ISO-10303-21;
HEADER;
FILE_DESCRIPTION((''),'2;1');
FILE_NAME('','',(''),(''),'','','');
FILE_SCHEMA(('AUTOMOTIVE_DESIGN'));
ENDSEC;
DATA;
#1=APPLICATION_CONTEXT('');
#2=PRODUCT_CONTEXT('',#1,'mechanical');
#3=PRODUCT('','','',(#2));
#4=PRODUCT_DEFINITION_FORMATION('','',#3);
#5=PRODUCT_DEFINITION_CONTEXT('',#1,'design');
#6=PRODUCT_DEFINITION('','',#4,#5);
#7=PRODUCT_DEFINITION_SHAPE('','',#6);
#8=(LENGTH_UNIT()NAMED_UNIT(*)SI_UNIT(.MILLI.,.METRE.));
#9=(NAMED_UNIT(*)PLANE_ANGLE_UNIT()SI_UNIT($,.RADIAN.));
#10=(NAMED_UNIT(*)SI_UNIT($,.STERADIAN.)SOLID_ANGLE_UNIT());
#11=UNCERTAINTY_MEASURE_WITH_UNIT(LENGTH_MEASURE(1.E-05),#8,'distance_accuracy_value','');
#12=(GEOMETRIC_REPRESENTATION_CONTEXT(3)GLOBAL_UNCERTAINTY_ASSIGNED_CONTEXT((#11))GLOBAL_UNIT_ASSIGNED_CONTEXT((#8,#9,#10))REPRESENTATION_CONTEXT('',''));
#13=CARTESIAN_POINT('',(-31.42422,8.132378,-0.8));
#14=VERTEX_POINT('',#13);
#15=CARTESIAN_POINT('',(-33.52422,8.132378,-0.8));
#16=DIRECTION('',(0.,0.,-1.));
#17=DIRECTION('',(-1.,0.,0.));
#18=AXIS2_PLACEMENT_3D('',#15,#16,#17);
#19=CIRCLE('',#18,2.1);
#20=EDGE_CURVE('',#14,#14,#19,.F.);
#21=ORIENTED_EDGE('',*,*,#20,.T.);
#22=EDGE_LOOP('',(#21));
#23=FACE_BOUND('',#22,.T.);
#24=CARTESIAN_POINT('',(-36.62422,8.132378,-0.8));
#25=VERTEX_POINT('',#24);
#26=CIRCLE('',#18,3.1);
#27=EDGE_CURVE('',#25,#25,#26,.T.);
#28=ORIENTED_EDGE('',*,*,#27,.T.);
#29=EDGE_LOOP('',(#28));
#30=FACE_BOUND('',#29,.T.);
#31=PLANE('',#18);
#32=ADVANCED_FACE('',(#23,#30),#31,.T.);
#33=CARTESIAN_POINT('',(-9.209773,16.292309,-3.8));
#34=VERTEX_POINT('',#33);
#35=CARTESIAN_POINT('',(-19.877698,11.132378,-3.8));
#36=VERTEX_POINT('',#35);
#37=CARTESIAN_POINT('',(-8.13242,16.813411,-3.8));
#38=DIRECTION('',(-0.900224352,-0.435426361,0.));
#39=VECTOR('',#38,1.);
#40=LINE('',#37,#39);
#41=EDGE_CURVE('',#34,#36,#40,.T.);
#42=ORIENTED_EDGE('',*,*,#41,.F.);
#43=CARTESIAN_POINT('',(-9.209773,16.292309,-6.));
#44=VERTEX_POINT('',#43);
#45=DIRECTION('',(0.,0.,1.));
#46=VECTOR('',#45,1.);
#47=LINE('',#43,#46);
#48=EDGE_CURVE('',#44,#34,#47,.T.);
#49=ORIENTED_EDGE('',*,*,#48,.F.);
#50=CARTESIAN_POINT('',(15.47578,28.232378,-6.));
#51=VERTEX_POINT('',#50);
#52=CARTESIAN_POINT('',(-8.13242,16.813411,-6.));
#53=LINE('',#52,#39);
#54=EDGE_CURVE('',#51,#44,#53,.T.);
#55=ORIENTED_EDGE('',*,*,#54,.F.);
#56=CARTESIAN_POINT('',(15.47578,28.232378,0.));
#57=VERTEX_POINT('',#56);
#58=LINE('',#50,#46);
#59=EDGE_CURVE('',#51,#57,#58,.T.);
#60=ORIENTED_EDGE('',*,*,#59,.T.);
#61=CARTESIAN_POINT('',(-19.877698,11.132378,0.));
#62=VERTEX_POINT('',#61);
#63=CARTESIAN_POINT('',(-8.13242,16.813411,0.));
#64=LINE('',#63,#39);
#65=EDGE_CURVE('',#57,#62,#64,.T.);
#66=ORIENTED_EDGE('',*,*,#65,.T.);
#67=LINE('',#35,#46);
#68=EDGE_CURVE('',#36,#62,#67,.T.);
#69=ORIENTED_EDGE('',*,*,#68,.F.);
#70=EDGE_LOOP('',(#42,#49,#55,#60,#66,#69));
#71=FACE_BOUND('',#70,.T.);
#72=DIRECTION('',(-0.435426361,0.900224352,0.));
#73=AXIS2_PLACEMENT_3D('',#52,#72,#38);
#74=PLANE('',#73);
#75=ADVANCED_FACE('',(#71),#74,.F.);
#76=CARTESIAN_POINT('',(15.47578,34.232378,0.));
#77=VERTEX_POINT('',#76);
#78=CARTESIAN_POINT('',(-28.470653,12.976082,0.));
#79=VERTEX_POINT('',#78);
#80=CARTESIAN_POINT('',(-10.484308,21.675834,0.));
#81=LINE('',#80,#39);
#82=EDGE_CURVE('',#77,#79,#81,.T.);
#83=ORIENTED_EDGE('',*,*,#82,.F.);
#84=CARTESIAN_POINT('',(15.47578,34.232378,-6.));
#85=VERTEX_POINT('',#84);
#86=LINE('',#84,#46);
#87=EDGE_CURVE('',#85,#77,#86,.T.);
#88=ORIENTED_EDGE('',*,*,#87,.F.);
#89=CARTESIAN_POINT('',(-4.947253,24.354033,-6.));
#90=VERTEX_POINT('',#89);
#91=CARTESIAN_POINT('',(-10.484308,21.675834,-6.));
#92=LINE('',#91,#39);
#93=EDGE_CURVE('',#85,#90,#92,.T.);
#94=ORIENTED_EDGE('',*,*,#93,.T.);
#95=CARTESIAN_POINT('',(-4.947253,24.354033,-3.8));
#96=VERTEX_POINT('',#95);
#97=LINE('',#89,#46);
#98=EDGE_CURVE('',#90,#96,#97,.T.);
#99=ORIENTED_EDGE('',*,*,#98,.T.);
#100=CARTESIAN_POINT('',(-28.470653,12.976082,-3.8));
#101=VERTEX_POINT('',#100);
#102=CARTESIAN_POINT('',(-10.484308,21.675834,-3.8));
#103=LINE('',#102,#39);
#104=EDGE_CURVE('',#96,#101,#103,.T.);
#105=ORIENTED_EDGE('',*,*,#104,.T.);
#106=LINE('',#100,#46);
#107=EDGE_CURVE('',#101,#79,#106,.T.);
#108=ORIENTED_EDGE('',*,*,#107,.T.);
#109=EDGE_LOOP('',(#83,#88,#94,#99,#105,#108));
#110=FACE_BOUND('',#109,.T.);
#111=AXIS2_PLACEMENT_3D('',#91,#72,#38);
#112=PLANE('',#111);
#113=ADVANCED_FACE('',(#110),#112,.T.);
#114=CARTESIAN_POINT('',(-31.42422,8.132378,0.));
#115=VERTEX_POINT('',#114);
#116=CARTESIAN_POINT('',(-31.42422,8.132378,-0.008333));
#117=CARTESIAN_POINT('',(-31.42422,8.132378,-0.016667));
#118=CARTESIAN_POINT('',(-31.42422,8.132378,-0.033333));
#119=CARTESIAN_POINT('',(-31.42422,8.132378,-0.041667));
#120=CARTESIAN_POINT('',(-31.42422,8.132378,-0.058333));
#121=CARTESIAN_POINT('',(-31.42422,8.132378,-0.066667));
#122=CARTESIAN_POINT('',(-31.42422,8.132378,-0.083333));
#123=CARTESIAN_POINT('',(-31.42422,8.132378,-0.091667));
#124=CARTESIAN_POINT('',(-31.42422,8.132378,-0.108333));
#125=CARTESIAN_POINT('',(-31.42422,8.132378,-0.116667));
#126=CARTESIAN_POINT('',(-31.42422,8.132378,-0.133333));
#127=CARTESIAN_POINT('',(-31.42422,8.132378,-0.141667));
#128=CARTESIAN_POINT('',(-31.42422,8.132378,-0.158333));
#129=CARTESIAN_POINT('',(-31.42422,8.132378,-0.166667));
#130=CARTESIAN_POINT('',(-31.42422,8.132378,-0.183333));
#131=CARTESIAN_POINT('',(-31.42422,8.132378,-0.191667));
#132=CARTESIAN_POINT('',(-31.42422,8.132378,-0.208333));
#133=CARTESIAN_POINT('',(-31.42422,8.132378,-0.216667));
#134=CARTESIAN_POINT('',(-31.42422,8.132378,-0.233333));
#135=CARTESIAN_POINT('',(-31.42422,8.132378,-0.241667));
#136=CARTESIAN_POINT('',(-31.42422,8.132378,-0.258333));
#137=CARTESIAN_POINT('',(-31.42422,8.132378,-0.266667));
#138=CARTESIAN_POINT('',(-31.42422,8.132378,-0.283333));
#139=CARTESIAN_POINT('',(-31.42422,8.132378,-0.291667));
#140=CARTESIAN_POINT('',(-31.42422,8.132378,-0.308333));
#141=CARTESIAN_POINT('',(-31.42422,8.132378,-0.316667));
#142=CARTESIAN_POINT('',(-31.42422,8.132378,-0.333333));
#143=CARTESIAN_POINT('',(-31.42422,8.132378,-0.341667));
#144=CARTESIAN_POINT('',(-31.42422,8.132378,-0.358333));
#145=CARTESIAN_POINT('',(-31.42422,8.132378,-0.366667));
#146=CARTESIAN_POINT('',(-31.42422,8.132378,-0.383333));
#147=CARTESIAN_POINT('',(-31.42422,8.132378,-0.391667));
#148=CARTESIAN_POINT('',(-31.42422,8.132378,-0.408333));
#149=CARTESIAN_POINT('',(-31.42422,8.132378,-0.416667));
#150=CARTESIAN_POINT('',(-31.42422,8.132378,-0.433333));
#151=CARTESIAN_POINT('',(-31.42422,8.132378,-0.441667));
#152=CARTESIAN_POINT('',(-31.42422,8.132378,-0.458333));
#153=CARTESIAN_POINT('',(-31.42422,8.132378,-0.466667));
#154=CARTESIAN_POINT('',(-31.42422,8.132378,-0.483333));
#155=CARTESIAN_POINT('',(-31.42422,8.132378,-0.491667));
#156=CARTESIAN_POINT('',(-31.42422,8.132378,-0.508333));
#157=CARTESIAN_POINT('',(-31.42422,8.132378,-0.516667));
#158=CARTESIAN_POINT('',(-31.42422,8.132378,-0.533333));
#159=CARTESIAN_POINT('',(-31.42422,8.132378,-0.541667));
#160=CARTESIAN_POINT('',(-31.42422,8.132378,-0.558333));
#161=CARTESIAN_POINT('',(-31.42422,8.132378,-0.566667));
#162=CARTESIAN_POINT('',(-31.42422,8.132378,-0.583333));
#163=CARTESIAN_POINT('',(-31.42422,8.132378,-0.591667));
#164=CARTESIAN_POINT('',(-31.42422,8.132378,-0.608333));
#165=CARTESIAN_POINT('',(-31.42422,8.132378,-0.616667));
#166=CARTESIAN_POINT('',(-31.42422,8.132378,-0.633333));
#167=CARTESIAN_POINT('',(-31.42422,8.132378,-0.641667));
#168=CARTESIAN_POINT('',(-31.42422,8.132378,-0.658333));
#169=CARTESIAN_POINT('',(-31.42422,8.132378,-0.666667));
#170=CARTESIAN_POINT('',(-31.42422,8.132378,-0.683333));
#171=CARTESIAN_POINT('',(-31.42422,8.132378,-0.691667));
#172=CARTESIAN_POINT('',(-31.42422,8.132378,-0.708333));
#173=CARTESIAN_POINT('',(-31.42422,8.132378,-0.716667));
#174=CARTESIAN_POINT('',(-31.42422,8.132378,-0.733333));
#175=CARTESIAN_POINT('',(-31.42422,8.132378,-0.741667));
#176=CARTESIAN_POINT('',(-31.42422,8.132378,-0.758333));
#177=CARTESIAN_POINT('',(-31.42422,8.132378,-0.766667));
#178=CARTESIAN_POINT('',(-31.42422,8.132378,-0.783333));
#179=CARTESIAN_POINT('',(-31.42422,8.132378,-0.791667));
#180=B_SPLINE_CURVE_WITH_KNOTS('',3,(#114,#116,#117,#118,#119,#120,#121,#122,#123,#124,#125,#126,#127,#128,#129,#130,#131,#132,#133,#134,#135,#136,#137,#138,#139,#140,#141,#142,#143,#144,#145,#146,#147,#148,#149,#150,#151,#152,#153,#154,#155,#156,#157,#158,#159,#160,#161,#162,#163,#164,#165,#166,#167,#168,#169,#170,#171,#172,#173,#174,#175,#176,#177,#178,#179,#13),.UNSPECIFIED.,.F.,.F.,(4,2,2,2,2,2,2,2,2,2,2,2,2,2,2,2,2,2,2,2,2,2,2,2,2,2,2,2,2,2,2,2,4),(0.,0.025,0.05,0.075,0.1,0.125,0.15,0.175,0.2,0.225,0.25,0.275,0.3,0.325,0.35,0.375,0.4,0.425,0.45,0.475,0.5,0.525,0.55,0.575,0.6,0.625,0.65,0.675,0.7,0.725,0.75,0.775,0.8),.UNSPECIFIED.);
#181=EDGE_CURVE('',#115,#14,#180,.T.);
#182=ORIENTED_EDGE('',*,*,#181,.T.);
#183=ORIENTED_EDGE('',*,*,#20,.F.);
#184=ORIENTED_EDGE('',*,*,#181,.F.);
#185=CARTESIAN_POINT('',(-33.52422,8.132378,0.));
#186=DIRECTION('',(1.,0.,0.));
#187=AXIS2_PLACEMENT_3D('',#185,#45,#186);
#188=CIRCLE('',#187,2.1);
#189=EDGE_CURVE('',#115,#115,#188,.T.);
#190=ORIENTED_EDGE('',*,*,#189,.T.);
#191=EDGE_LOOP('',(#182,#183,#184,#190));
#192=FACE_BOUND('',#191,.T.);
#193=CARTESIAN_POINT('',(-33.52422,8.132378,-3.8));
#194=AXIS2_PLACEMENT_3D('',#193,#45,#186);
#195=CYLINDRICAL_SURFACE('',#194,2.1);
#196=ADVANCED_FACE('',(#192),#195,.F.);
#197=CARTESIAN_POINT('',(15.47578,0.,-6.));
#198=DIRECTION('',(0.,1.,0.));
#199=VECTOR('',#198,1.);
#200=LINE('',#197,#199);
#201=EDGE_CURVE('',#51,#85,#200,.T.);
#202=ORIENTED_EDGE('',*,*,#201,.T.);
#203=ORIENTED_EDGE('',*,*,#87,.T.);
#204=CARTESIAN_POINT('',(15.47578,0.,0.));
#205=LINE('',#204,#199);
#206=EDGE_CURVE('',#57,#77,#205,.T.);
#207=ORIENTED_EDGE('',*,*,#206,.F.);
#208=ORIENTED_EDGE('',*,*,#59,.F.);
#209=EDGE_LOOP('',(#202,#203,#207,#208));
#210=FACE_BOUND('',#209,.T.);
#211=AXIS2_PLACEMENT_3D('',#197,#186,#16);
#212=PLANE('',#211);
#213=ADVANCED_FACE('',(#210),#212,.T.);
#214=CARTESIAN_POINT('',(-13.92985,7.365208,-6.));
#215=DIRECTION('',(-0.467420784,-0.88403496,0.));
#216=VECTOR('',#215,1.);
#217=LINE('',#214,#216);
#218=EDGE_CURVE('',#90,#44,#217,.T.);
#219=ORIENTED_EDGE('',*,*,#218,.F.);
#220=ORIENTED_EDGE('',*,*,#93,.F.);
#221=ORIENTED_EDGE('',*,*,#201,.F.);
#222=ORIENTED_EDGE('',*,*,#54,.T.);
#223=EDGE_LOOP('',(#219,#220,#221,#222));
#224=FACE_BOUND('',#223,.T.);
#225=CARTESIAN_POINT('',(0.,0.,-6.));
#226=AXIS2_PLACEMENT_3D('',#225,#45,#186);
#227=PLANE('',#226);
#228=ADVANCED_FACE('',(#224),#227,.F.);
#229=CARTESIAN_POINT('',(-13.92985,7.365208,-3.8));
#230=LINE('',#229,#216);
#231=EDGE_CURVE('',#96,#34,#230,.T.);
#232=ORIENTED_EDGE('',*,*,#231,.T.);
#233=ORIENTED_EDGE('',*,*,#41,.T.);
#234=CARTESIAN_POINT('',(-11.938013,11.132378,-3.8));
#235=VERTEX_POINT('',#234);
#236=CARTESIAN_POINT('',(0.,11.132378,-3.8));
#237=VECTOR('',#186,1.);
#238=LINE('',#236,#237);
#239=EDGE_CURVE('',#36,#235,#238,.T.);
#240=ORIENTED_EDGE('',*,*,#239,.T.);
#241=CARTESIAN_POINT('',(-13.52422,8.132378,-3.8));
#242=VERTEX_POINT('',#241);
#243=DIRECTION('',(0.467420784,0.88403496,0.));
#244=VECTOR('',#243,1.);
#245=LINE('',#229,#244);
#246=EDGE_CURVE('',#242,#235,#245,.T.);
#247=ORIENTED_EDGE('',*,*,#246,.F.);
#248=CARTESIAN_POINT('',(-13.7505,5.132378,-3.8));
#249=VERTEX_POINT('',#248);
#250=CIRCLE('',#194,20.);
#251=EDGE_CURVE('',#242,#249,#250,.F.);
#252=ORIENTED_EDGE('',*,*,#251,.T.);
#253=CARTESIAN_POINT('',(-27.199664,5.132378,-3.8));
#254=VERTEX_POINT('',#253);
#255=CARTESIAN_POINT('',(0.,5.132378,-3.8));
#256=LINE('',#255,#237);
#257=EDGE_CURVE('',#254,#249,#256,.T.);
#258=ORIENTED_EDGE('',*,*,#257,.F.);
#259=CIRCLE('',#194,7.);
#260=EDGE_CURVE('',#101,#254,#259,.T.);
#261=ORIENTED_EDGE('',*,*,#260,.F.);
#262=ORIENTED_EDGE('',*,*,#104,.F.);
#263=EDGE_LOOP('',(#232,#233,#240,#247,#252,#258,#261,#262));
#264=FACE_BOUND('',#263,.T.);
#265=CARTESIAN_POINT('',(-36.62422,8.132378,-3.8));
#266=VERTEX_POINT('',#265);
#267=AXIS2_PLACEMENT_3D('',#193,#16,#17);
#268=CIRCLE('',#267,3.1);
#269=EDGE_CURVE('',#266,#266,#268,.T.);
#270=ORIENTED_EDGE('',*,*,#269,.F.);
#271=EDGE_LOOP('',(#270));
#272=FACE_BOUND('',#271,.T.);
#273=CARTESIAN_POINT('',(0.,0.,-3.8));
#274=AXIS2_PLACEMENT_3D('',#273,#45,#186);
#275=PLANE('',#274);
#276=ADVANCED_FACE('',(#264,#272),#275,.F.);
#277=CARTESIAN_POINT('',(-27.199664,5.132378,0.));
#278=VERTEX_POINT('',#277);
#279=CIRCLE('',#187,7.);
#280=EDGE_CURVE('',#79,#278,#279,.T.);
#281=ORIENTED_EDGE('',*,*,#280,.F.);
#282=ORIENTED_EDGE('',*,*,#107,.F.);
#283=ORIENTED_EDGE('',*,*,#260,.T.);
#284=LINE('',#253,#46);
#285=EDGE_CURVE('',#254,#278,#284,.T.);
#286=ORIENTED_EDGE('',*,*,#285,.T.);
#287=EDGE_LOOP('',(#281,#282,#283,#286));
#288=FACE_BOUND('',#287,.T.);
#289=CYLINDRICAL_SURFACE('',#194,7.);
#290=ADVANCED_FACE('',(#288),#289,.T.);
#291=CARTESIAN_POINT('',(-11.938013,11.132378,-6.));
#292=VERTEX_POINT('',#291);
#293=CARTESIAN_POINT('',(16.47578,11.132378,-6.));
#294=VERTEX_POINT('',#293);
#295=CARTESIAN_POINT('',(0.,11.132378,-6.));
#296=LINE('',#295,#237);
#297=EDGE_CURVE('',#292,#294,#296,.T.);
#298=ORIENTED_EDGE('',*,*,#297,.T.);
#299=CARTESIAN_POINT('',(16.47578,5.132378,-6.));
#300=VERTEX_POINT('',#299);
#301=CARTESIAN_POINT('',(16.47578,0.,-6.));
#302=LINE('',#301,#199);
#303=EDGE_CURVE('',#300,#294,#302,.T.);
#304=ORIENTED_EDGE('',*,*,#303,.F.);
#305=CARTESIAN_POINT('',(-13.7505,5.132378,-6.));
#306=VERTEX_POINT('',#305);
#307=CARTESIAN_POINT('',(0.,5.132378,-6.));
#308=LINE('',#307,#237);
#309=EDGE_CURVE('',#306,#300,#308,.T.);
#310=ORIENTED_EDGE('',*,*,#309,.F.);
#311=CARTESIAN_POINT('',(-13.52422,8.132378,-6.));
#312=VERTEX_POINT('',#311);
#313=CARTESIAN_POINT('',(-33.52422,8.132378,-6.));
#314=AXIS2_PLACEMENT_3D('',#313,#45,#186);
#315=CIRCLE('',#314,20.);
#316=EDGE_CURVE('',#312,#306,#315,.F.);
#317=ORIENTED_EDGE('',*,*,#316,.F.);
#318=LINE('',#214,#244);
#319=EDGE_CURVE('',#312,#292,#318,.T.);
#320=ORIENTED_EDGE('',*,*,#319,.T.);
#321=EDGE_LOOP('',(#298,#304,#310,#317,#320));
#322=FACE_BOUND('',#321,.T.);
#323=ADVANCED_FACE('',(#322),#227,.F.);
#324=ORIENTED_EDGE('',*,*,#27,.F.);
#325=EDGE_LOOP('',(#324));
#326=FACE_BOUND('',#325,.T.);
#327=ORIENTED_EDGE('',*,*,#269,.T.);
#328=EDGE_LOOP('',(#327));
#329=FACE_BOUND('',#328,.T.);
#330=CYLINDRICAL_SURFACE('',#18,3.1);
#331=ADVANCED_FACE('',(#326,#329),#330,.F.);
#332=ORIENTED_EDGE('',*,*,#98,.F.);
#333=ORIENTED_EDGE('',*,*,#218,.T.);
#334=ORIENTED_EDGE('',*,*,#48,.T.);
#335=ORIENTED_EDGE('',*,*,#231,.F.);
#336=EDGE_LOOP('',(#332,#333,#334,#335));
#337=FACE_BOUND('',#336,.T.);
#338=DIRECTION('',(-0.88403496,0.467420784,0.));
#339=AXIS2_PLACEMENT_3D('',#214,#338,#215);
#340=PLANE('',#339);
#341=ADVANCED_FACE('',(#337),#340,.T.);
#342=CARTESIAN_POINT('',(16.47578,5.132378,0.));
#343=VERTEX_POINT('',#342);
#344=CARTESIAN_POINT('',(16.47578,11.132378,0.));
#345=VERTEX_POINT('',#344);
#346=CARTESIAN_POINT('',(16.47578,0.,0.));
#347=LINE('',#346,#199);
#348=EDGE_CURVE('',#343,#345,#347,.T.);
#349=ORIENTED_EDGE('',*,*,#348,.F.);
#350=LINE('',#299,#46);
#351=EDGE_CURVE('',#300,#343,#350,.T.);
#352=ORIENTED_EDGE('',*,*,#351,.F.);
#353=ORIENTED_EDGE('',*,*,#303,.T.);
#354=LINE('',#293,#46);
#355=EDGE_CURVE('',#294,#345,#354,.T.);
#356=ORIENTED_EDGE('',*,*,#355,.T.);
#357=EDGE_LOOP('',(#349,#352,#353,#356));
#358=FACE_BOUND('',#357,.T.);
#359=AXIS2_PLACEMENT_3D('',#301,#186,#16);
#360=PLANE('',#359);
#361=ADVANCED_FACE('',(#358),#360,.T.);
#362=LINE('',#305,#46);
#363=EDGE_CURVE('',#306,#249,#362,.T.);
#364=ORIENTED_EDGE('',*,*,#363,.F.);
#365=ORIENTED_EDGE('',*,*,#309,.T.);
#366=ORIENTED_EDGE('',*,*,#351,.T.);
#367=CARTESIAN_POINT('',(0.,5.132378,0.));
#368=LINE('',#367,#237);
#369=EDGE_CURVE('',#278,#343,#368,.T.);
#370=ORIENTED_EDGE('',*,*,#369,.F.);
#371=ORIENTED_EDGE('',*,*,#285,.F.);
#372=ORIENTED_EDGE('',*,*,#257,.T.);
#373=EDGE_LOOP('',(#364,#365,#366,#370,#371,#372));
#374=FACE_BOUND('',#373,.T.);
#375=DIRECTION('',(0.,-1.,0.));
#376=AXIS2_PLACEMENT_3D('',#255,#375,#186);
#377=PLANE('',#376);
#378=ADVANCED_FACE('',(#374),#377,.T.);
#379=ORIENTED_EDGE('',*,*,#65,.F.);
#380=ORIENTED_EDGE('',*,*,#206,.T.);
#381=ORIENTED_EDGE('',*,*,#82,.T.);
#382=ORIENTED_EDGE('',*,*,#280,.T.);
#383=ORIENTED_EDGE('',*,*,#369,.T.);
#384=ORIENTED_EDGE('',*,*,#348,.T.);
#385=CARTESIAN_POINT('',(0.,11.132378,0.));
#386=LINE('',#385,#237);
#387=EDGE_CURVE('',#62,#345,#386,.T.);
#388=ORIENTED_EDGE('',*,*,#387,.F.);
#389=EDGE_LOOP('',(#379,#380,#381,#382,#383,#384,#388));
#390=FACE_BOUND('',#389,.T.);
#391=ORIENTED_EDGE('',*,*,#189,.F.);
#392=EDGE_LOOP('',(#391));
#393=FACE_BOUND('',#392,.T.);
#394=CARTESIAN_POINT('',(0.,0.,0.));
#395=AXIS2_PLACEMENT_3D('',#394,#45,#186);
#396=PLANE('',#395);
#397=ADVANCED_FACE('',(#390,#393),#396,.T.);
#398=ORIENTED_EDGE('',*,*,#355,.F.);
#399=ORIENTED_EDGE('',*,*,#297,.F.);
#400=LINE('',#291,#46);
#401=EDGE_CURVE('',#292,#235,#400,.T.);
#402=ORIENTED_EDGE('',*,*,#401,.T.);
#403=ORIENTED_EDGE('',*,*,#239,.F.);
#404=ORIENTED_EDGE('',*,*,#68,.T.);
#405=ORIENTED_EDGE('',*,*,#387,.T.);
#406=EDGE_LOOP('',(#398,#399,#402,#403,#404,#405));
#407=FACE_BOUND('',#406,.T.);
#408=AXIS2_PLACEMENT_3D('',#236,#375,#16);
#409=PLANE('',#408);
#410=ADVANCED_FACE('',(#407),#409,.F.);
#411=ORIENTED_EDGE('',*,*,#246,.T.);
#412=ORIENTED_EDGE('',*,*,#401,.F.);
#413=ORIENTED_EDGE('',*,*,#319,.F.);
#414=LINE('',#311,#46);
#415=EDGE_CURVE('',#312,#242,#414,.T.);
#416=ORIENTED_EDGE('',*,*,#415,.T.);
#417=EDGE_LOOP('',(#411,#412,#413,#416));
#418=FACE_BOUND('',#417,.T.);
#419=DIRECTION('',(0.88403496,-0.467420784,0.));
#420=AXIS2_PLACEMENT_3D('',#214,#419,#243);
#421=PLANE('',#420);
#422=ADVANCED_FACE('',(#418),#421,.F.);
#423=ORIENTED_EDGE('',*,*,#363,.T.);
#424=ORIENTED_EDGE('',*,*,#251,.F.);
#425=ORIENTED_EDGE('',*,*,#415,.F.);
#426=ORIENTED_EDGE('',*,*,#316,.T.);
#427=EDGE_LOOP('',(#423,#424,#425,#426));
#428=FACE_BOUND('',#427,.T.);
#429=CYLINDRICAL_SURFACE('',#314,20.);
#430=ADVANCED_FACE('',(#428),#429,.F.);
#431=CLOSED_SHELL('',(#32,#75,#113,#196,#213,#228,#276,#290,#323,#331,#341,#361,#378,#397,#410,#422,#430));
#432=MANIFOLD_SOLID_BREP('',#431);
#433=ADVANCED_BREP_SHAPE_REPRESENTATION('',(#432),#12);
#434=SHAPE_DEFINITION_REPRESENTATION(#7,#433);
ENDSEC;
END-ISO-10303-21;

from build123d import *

# Parameters (mm, degrees)
BOSS_EXTRUDE2_DEPTH   = 6
BOSS_EXTRUDE2_2_DEPTH = 6
SKETCH1_3_R           = 2.1
BOSS_EXTRUDE3_DEPTH   = 3.8
SKETCH3_R             = 3.1
CUT_EXTRUDE2_DEPTH    = 3


with BuildPart() as part:
    # Sketch1 → Boss-Extrude2 (new body)
    with BuildSketch(Plane(origin=(0, 0, 0), x_dir=(-1, 0, 0), z_dir=(0, 0, 1))):
        Polygon((9.209773359, -16.292309171), (-15.475780333, -28.232378111), (-15.475780333, -34.232378111), (4.947252827, -24.354032787), align=None)
    extrude(amount=-BOSS_EXTRUDE2_DEPTH)



with BuildPart() as body_2:
    # Sketch1 → Boss-Extrude2 2 (new body)
    with BuildSketch(Plane(origin=(0, 0, 0), x_dir=(-1, 0, 0), z_dir=(0, 0, 1))):
        with BuildLine():
            Line((-16.475780333, -11.132378111), (11.93801277, -11.132378111))
            Line((11.93801277, -11.132378111), (13.524219667, -8.132378111))
            ThreePointArc((13.524219667, -8.132378111), (13.580869915, -6.628117273), (13.750499733, -5.132378111))
            Line((13.750499733, -5.132378111), (-16.475780333, -5.132378111))
            Line((-16.475780333, -5.132378111), (-16.475780333, -11.132378111))
        make_face()
    extrude(amount=-BOSS_EXTRUDE2_2_DEPTH)


with BuildPart() as part_1:
    add(part.part)

    add(body_2.part)  # Boss-Extrude3 merges body 2
    # Sketch1<3> → Boss-Extrude3 (add)
    with BuildSketch(Plane(origin=(0, 0, 0), x_dir=(-1, 0, 0), z_dir=(0, 0, 1))):
        with BuildLine():
            Line((19.877697964, -11.132378111), (9.209773359, -16.292309171))
            Line((9.209773359, -16.292309171), (4.947252827, -24.354032787))
            Line((4.947252827, -24.354032787), (28.470653106, -12.976081758))
            ThreePointArc((28.470653106, -12.976081758), (40.434092032, -7.012706779), (27.199664346, -5.132378111))
            Line((27.199664346, -5.132378111), (13.750499733, -5.132378111))
            ThreePointArc((13.750499733, -5.132378111), (13.580869915, -6.628117273), (13.524219667, -8.132378111))
            Line((13.524219667, -8.132378111), (11.93801277, -11.132378111))
            Line((11.93801277, -11.132378111), (19.877697964, -11.132378111))
        make_face()
        with Locations((33.524219667, -8.132378111)):
            Circle(SKETCH1_3_R, mode=Mode.SUBTRACT)
    extrude(amount=-BOSS_EXTRUDE3_DEPTH)

    # Sketch3 → Cut-Extrude2 (cut)
    with BuildSketch(Plane(origin=(0, 0, -3.8), x_dir=(-1, 0, 0), z_dir=(0, 0, -1))):
        with Locations((33.524219667, 8.132378111)):
            Circle(SKETCH3_R)
    extrude(amount=-CUT_EXTRUDE2_DEPTH, mode=Mode.SUBTRACT)


solid = part_1.part
